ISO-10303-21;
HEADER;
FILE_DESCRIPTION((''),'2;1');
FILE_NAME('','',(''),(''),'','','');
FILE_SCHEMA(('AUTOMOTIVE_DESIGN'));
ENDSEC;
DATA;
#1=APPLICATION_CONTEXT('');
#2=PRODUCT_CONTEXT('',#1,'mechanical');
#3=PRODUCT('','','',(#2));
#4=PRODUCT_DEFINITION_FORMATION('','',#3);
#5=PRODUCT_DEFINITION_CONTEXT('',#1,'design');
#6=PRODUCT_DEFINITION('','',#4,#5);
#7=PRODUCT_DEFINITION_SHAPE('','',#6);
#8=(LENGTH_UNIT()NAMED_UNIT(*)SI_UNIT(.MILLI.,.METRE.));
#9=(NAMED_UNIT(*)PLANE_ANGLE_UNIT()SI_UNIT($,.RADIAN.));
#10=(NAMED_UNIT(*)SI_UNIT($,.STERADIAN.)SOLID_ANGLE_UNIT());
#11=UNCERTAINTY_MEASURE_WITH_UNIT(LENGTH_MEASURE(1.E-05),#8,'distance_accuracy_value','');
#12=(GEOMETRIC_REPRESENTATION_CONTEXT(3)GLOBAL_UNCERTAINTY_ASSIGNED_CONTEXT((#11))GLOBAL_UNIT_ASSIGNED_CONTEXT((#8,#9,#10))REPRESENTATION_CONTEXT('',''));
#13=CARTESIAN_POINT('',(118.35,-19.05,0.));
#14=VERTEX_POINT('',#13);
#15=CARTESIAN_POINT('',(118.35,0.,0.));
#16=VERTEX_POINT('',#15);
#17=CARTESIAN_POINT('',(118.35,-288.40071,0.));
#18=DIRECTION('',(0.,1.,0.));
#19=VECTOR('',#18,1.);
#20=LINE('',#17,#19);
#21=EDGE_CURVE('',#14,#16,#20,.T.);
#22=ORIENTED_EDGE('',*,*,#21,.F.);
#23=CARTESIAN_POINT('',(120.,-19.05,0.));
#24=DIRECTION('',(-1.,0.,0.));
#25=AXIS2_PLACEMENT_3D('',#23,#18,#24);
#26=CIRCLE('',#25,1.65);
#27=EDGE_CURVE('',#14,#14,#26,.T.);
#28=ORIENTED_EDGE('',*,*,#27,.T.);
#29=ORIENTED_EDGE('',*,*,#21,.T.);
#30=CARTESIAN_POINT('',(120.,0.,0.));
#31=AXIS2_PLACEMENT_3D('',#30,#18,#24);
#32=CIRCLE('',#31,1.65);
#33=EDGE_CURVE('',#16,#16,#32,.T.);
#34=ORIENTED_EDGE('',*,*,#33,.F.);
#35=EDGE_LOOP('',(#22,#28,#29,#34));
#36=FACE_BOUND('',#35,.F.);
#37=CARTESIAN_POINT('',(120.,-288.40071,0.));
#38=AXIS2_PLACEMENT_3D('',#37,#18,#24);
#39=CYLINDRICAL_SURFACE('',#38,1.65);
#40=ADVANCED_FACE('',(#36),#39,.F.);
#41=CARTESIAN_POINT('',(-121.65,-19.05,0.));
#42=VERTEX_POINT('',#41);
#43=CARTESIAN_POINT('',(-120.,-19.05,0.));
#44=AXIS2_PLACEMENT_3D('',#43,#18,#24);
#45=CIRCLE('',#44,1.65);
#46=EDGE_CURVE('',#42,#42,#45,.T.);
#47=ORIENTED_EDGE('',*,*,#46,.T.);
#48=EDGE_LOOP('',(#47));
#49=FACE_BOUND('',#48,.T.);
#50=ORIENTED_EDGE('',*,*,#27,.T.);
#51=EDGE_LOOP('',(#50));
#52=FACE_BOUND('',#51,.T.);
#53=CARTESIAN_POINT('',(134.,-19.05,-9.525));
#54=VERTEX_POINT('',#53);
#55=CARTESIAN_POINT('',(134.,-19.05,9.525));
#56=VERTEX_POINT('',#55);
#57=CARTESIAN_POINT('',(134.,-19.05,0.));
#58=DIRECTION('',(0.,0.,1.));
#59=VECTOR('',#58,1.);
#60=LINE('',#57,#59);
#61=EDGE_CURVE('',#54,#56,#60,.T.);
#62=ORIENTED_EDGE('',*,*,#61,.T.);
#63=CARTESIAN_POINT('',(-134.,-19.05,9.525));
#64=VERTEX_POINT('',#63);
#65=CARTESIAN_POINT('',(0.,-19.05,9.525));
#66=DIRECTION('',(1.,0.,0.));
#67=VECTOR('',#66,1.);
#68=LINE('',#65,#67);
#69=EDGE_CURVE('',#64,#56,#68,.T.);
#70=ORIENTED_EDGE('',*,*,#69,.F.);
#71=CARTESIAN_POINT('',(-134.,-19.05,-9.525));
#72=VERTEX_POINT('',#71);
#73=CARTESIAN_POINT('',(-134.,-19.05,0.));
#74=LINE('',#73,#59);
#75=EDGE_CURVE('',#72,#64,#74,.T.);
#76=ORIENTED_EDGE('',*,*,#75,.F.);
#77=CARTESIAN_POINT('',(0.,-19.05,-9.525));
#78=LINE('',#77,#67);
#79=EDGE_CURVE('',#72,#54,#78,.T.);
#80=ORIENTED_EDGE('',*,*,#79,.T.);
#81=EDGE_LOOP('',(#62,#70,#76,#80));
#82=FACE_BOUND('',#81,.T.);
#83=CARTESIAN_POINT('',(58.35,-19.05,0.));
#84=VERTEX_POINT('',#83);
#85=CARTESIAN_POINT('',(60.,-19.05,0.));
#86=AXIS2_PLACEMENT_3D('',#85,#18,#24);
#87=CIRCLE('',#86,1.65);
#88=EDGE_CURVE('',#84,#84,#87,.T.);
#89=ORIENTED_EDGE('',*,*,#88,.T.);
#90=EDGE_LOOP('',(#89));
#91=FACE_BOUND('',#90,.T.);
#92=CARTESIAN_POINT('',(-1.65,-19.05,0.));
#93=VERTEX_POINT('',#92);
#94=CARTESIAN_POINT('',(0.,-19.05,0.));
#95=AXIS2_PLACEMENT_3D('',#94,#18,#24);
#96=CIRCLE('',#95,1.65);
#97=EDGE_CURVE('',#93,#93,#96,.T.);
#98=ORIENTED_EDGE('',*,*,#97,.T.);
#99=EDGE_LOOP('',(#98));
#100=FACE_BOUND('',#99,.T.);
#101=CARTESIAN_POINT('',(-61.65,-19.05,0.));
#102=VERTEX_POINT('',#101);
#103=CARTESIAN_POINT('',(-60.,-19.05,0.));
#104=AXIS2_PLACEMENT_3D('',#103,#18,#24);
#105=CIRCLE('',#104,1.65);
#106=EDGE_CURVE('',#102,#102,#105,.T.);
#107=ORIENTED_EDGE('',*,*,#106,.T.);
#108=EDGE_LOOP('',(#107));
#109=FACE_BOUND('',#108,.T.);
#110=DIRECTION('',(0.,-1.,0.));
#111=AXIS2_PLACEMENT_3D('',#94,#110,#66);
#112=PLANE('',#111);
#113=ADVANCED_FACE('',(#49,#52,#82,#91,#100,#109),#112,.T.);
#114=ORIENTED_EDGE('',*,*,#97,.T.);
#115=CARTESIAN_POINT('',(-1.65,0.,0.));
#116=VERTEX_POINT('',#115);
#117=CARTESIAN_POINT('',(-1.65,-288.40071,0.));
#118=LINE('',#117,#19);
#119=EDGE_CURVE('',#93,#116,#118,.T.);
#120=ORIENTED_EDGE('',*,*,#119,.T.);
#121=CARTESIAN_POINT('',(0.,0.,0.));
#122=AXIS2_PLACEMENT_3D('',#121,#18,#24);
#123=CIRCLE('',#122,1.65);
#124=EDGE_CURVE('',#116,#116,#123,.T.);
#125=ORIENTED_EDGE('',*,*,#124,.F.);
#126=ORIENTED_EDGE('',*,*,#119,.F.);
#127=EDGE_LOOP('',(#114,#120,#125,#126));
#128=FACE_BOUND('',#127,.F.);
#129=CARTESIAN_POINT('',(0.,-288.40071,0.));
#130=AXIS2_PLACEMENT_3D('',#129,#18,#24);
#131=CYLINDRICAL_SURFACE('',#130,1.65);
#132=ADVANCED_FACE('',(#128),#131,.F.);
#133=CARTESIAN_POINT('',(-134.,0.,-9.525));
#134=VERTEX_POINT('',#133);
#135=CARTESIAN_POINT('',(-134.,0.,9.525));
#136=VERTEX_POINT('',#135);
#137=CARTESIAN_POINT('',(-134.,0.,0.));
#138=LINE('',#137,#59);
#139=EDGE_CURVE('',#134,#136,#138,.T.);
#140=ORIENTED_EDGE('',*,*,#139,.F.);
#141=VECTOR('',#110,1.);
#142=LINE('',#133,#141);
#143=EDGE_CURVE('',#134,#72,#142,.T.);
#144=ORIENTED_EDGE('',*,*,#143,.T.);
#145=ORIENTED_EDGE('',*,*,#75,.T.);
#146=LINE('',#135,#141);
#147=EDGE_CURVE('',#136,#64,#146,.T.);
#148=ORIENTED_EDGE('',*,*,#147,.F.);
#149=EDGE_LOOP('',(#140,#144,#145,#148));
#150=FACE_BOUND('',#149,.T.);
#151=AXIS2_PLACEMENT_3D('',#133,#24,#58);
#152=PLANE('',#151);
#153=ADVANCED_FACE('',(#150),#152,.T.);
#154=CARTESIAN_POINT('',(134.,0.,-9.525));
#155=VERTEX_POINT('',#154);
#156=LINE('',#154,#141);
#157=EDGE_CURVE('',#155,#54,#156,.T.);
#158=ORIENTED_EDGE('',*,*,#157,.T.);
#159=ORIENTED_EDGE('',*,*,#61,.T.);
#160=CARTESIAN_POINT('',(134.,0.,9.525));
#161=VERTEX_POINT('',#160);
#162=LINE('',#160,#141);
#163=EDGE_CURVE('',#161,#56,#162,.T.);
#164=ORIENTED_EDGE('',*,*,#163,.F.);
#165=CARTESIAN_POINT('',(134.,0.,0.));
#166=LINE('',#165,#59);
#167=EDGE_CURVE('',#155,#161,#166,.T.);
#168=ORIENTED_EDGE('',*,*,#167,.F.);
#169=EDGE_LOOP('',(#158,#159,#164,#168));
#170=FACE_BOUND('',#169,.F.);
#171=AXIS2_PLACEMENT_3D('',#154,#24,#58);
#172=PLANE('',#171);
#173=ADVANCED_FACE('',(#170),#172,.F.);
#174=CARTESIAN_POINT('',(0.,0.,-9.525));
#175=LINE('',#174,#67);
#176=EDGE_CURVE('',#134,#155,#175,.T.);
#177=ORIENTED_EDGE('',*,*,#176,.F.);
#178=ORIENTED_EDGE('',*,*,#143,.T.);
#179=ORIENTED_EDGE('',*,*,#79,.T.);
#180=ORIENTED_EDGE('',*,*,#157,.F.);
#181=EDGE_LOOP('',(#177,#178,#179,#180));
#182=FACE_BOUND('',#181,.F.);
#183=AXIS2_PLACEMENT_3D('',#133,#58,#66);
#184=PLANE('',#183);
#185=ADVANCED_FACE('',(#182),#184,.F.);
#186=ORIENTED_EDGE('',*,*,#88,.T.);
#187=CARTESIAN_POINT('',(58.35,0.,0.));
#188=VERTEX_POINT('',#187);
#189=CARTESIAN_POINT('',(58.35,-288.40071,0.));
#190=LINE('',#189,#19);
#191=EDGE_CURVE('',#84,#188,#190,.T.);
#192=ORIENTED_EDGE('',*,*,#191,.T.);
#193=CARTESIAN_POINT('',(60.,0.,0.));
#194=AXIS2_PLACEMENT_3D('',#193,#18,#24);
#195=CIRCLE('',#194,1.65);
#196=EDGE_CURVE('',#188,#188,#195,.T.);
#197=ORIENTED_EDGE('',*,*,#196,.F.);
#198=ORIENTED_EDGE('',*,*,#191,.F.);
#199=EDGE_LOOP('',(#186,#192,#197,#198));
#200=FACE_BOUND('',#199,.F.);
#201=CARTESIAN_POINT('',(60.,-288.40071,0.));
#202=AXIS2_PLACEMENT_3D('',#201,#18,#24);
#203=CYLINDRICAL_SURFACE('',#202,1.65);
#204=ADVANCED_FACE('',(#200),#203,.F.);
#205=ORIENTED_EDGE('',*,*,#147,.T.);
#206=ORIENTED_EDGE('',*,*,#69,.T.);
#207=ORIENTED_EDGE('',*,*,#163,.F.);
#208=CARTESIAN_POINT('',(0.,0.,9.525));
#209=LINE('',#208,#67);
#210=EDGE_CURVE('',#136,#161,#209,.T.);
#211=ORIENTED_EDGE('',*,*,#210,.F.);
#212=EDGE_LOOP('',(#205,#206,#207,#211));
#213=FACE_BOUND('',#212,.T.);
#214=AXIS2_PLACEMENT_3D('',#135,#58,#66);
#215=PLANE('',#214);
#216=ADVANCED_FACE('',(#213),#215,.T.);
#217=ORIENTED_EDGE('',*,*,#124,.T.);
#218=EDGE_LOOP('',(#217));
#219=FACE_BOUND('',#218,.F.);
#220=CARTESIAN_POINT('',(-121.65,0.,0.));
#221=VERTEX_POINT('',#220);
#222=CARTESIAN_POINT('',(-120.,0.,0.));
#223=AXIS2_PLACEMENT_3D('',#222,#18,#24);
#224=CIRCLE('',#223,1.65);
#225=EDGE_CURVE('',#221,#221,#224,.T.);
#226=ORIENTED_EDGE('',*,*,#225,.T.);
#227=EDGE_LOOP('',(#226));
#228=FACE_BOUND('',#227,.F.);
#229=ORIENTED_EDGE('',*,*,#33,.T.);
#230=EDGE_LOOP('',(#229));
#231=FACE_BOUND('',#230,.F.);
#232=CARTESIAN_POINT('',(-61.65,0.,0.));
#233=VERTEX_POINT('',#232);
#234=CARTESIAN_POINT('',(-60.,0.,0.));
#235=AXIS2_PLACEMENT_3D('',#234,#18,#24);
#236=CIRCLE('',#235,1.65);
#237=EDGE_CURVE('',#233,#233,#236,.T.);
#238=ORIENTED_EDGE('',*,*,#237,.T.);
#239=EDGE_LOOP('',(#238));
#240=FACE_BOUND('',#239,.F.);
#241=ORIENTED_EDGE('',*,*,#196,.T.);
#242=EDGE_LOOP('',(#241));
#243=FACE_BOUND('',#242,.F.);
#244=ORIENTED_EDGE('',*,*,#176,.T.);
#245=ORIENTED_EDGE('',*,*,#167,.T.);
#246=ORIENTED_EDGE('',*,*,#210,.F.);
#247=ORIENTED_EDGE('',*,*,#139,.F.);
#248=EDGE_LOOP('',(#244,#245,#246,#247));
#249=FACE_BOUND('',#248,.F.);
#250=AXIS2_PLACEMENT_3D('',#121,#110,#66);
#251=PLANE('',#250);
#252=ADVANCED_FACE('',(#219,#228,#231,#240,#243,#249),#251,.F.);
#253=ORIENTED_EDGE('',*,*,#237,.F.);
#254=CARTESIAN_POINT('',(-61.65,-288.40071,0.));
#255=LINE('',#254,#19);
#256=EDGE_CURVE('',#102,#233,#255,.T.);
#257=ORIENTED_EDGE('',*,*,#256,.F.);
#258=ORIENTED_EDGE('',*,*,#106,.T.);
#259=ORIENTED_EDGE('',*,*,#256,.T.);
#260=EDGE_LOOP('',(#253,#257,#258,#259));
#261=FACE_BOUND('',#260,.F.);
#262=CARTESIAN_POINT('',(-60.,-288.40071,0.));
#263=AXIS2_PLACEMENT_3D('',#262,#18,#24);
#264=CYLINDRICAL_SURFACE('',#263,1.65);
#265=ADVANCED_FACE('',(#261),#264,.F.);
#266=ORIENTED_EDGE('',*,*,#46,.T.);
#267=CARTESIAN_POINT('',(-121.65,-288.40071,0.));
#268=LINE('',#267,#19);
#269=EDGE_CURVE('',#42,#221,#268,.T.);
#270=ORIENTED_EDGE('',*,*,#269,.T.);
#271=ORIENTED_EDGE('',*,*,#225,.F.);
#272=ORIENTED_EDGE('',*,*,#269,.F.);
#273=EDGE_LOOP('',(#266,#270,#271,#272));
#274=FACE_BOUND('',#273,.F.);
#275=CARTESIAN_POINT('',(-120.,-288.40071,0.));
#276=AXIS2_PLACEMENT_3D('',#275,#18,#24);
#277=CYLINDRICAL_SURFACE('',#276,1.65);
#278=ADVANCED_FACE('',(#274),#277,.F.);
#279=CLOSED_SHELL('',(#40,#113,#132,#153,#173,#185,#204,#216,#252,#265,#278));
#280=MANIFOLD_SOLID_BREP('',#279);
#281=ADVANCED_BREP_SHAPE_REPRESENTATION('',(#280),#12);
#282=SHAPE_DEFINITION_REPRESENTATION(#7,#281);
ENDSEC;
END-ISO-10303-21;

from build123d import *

# Parameters (mm, degrees)
F0_W     = 268
F0_H     = 19.05
F1_DEPTH = 19.05
F3_D     = 3.3


with BuildPart() as f1:
    # F0 (on Front) → F1 (new body)
    with BuildSketch(Plane.XZ):
        Rectangle(F0_W, F0_H)
    extrude(amount=F1_DEPTH)

    # F3 (through all)
    with Locations(Plane.XZ.offset(19.05)):
        with Locations((-120, 0), (-60, 0), (0, 0), (60, 0), (120, 0)):
            Hole(F3_D / 2)


solid = f1.part
